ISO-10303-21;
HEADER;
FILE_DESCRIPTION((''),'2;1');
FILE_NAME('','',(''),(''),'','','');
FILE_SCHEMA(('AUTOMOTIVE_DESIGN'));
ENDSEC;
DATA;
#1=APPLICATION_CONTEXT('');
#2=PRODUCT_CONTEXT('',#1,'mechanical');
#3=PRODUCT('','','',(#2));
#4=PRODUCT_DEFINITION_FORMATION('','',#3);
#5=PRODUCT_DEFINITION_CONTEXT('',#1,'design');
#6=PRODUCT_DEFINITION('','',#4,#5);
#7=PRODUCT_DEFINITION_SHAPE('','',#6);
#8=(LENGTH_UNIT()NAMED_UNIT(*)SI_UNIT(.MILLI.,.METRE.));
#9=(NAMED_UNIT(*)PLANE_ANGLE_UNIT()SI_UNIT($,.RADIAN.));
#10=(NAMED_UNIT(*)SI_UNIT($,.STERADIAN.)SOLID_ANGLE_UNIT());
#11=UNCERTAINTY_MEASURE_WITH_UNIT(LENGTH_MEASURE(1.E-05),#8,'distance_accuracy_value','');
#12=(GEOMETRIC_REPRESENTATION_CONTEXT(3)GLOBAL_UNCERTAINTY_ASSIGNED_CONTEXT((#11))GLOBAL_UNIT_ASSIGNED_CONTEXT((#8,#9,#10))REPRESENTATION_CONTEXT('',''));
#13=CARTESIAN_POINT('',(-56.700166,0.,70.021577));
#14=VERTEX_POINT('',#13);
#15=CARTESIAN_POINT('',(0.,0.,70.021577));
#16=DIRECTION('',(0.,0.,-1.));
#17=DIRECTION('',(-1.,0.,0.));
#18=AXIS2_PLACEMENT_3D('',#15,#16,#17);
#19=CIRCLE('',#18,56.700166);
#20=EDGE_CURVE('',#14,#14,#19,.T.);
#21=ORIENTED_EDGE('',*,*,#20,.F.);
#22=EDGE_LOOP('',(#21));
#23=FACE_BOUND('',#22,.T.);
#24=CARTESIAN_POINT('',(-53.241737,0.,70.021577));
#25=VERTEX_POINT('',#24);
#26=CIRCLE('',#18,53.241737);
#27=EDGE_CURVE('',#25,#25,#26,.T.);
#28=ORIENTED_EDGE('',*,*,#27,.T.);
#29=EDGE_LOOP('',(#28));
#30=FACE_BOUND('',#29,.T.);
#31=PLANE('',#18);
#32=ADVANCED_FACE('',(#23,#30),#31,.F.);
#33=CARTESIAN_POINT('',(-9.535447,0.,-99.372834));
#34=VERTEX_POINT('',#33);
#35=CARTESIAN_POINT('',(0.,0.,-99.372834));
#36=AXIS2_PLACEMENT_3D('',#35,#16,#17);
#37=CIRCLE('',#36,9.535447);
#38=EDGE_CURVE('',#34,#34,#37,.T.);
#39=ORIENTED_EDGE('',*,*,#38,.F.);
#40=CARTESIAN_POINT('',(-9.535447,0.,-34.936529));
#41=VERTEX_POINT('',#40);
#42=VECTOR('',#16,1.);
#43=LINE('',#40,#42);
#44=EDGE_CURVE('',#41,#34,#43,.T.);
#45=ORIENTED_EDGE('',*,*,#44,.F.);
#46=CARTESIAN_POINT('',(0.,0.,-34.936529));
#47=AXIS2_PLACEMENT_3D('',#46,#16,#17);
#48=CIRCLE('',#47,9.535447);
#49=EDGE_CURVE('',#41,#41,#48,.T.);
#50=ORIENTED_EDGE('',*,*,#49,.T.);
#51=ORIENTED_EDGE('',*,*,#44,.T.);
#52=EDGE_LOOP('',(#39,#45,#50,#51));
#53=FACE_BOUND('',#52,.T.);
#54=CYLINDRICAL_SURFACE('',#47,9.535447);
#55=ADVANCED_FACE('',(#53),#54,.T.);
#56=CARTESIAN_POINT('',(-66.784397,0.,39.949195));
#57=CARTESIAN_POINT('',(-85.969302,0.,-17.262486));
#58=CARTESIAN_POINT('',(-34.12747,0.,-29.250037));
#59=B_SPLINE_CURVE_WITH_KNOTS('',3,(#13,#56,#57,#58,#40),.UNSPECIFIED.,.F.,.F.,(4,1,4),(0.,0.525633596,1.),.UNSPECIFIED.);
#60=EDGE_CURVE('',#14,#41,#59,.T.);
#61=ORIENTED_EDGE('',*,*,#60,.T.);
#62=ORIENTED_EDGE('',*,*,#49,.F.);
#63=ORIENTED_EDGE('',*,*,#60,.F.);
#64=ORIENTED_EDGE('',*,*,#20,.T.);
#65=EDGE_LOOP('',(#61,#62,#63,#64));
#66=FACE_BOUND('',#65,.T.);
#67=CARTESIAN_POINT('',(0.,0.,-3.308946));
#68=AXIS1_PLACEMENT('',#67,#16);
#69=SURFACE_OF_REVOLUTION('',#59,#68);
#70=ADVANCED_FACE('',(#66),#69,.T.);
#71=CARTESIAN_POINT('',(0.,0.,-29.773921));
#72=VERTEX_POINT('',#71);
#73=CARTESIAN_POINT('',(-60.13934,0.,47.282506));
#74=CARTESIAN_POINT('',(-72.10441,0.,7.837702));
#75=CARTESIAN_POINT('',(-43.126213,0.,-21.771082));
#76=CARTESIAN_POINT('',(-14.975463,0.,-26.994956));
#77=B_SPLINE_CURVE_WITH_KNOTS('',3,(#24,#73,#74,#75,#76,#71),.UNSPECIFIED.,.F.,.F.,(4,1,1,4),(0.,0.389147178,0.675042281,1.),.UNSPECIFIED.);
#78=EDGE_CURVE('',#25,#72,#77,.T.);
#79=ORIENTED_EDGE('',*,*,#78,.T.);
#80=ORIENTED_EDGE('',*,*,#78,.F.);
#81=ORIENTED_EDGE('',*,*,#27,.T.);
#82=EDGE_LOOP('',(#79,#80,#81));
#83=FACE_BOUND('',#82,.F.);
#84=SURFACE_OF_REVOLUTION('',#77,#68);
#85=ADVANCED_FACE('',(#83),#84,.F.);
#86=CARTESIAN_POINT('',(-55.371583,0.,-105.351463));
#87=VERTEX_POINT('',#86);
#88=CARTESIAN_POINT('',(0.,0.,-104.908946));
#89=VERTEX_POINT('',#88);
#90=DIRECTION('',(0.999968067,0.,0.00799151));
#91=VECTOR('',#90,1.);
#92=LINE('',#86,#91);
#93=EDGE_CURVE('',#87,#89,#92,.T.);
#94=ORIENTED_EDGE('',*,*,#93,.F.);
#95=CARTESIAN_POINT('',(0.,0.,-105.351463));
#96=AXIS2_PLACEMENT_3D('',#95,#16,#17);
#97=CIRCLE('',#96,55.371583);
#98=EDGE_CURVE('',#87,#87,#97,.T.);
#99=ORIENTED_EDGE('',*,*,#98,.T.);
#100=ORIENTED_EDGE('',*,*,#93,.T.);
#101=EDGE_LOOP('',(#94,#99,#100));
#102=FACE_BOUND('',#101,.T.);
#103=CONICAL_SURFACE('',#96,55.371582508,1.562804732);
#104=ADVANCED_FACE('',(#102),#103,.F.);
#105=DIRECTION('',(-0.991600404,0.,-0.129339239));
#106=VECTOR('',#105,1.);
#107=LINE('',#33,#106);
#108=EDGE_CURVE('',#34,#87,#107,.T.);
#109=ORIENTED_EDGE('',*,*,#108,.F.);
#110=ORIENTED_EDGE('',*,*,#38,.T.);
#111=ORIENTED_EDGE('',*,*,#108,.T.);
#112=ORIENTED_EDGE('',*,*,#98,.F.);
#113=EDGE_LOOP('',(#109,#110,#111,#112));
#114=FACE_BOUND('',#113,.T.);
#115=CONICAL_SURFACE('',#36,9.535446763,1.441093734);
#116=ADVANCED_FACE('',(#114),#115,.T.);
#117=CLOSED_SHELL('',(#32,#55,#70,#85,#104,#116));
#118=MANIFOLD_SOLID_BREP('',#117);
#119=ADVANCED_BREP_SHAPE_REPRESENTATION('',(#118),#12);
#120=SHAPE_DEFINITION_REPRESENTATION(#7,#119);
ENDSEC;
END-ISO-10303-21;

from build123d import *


with BuildPart() as f1:
    # F0 (on Front) → F1 (revolve)
    with BuildSketch(Plane.XZ):
        with BuildLine():
            Line((0, -104.9089462908), (0, -29.7739207745))
            add(Edge.make_bspline(
                [(-53.2417371869, 70.0215771794), (-60.1393398092, 47.2825064775), (-72.1044102845, 7.8377024797), (-43.1262130746, -21.7710816776), (-14.9754626714, -26.9949562047), (0, -29.7739207745)],
                knots=[0, 0, 0, 0, 0.3891471779, 0.6750422811, 1, 1, 1, 1], degree=3))
            Line((-53.2417371869, 70.0215771794), (-56.7001663148, 70.0215771794))
            add(Edge.make_bspline(
                [(-56.7001663148, 70.0215771794), (-66.7843970001, 39.9491952344), (-85.9693021427, -17.2624863537), (-34.1274701603, -29.2500372469), (-9.535446763, -34.9365286529)],
                knots=[0, 0, 0, 0, 0.5256335963, 1, 1, 1, 1], degree=3))
            Line((-9.535446763, -34.9365286529), (-9.535446763, -99.3728339672))
            Line((-9.535446763, -99.3728339672), (-55.3715825081, -105.3514629602))
            Line((-55.3715825081, -105.3514629602), (0, -104.9089462908))
        make_face()
    revolve(axis=Axis((0, 0, -3.3089462908), (0, 0, -1)))


solid = f1.part
